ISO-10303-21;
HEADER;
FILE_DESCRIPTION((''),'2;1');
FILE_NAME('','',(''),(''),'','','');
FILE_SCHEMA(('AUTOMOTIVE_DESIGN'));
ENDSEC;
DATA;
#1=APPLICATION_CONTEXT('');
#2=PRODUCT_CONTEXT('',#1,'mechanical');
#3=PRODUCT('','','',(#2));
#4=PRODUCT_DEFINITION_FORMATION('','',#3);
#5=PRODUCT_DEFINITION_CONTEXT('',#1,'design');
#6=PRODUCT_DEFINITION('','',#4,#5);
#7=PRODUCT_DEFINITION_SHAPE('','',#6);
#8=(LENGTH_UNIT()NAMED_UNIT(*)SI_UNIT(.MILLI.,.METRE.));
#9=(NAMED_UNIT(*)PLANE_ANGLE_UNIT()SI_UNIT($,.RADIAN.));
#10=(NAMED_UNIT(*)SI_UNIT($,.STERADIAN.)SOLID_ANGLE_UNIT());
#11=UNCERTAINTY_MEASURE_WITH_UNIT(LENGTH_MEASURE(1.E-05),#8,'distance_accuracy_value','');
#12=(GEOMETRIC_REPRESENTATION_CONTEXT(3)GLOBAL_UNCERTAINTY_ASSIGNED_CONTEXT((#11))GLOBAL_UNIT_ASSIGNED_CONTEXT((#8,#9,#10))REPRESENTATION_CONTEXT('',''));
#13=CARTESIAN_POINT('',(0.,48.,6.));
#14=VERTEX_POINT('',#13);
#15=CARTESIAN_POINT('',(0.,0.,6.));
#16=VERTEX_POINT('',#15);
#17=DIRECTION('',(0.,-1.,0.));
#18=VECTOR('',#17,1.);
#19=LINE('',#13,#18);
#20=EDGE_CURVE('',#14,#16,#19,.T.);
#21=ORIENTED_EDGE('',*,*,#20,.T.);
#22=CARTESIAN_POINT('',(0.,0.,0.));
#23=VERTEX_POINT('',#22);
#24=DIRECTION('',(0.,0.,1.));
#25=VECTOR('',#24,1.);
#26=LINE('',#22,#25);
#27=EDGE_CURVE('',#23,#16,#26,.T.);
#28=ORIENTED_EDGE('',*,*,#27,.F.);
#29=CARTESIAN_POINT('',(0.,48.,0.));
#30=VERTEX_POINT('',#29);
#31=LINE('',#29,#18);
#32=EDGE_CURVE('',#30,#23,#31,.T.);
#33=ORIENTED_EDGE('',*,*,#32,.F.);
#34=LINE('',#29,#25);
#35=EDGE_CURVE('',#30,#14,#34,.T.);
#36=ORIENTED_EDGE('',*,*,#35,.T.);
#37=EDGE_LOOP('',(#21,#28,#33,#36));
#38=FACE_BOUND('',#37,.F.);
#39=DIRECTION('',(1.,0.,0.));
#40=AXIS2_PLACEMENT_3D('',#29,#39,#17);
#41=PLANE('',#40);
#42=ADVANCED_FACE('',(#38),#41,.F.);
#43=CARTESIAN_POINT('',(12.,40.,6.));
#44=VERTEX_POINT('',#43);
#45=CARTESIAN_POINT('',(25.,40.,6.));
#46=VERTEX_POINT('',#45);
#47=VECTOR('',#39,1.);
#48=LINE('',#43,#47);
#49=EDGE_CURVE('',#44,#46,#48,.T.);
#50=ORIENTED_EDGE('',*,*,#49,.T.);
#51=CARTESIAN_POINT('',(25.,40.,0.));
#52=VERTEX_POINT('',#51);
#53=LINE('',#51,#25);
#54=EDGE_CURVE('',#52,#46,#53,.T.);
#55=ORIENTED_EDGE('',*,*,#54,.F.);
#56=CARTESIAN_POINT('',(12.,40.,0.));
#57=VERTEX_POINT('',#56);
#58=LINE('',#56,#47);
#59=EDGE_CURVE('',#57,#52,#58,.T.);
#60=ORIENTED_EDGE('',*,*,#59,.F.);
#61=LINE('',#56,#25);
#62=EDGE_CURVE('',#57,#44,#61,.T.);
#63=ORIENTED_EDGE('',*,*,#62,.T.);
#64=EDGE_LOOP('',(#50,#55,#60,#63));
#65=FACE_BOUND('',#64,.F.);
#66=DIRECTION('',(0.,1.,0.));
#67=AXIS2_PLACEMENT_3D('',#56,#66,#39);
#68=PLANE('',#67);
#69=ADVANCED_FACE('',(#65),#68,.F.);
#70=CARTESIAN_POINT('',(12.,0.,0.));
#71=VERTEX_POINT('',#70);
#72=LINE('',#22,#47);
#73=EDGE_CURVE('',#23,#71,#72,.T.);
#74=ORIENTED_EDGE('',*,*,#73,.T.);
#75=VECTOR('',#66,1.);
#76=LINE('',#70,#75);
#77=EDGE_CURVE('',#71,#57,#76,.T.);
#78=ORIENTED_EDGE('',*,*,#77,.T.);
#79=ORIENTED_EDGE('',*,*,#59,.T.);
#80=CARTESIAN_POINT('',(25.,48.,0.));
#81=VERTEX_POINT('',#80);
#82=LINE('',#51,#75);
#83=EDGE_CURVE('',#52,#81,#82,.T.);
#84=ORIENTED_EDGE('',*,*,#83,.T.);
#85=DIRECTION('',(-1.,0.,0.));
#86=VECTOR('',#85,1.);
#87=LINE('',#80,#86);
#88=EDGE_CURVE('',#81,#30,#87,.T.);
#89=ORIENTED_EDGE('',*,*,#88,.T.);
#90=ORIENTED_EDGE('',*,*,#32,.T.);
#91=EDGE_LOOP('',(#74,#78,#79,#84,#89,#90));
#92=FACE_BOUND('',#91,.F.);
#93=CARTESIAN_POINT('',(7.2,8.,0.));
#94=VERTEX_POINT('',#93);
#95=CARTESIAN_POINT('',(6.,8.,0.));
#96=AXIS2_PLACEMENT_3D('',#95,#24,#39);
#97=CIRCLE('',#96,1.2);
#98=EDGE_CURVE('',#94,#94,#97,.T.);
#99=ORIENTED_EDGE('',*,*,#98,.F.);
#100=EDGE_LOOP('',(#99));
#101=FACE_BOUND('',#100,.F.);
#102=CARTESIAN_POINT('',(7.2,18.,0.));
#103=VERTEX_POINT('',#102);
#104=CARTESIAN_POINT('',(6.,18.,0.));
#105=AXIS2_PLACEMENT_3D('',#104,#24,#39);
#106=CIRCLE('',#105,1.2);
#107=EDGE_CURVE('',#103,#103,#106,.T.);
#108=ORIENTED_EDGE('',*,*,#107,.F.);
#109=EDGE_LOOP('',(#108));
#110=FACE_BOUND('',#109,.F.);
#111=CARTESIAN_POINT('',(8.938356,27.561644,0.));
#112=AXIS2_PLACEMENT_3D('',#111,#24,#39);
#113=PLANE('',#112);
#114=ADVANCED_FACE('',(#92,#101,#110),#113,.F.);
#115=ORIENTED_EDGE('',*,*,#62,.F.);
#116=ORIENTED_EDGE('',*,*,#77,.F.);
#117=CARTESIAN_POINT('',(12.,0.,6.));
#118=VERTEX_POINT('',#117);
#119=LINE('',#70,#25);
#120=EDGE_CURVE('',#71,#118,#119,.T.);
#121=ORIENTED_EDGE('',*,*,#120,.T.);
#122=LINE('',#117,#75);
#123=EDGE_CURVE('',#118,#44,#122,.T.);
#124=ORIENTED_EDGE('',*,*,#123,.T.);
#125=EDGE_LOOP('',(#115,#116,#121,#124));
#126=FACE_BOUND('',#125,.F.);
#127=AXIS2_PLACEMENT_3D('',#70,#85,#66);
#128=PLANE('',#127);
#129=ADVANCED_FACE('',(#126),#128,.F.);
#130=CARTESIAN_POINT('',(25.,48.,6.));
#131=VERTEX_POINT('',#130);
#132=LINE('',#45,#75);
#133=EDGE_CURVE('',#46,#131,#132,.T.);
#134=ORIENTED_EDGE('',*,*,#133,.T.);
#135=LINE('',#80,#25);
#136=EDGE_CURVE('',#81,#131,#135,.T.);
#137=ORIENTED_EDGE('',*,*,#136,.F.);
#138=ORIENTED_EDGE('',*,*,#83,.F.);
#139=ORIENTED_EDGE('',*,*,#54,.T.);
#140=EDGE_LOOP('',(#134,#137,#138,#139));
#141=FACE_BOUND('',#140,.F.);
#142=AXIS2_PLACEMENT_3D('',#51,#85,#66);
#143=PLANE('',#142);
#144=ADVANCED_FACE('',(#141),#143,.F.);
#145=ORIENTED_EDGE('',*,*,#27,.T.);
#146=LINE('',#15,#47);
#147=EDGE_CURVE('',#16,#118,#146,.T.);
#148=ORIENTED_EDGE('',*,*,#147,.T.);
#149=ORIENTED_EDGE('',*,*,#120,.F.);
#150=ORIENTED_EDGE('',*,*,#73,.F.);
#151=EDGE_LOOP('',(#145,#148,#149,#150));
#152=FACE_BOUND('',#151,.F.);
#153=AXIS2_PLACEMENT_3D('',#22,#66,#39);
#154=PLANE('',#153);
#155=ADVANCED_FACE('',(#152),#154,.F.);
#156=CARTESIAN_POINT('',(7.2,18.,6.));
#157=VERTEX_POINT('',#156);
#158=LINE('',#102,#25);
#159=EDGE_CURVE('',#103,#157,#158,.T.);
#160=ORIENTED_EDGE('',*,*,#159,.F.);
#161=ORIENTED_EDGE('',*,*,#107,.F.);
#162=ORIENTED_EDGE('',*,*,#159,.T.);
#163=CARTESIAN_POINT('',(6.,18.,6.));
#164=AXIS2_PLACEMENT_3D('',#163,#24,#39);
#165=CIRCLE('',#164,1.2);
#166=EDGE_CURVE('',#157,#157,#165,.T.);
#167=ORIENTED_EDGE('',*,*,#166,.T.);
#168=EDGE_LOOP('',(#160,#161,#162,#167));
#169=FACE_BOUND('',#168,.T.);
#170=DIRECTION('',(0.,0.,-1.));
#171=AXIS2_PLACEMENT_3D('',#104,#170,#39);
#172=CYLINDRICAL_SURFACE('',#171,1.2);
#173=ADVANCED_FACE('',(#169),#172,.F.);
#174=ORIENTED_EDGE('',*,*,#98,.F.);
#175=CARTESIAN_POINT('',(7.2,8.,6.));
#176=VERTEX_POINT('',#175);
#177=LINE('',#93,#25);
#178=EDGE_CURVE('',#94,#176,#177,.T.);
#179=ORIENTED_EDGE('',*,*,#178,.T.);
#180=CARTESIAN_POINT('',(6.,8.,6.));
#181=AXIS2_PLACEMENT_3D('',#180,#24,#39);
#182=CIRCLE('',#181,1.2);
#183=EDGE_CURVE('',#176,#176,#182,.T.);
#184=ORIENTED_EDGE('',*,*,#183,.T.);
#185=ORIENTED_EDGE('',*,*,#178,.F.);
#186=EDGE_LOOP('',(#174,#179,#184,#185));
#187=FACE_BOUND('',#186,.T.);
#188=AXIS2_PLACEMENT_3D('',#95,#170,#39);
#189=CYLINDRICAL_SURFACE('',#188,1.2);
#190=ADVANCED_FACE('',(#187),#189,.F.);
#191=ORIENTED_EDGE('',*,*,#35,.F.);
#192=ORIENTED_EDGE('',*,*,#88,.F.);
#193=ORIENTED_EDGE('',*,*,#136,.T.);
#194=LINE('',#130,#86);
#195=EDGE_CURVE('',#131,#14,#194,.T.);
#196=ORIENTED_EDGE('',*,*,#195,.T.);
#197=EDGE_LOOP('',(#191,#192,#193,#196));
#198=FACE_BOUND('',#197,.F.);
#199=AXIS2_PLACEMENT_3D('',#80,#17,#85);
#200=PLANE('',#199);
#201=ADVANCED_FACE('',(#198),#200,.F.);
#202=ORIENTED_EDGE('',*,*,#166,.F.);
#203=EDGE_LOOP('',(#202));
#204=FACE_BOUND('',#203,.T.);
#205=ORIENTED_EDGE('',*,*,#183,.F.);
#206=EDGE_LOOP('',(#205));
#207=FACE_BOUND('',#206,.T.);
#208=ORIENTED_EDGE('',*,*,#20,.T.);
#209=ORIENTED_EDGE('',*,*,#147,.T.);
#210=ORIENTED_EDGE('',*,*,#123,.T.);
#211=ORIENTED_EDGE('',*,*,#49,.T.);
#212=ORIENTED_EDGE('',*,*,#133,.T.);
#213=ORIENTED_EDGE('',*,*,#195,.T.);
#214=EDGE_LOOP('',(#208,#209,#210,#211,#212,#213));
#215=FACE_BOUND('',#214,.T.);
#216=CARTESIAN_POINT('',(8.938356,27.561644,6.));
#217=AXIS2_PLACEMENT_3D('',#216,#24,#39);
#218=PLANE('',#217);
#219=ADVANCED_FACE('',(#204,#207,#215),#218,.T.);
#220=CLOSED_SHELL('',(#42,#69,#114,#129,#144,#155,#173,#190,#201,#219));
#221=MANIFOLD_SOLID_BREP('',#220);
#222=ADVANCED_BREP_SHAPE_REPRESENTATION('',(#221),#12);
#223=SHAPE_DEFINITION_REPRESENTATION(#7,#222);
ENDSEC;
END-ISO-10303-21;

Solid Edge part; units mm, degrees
sketch "Sketch1" plane through (0, 0, 0) normal (0, 0, 1) x (1, 0, 0)
  line L0 (0, 0) -> (12, 0)
  line L1 (12, 0) -> (12, 40)
  line L2 (12, 40) -> (25, 40)
  line L3 (25, 40) -> (25, 48)
  line L4 (25, 48) -> (0, 48)
  line L5 (0, 48) -> (0, 0)
  circle A0 centre (6, 8) radius 1.2
  circle A1 centre (6, 18) radius 1.2
extrude "Protrusion1" add sketch "Sketch1" along normal blind 6
